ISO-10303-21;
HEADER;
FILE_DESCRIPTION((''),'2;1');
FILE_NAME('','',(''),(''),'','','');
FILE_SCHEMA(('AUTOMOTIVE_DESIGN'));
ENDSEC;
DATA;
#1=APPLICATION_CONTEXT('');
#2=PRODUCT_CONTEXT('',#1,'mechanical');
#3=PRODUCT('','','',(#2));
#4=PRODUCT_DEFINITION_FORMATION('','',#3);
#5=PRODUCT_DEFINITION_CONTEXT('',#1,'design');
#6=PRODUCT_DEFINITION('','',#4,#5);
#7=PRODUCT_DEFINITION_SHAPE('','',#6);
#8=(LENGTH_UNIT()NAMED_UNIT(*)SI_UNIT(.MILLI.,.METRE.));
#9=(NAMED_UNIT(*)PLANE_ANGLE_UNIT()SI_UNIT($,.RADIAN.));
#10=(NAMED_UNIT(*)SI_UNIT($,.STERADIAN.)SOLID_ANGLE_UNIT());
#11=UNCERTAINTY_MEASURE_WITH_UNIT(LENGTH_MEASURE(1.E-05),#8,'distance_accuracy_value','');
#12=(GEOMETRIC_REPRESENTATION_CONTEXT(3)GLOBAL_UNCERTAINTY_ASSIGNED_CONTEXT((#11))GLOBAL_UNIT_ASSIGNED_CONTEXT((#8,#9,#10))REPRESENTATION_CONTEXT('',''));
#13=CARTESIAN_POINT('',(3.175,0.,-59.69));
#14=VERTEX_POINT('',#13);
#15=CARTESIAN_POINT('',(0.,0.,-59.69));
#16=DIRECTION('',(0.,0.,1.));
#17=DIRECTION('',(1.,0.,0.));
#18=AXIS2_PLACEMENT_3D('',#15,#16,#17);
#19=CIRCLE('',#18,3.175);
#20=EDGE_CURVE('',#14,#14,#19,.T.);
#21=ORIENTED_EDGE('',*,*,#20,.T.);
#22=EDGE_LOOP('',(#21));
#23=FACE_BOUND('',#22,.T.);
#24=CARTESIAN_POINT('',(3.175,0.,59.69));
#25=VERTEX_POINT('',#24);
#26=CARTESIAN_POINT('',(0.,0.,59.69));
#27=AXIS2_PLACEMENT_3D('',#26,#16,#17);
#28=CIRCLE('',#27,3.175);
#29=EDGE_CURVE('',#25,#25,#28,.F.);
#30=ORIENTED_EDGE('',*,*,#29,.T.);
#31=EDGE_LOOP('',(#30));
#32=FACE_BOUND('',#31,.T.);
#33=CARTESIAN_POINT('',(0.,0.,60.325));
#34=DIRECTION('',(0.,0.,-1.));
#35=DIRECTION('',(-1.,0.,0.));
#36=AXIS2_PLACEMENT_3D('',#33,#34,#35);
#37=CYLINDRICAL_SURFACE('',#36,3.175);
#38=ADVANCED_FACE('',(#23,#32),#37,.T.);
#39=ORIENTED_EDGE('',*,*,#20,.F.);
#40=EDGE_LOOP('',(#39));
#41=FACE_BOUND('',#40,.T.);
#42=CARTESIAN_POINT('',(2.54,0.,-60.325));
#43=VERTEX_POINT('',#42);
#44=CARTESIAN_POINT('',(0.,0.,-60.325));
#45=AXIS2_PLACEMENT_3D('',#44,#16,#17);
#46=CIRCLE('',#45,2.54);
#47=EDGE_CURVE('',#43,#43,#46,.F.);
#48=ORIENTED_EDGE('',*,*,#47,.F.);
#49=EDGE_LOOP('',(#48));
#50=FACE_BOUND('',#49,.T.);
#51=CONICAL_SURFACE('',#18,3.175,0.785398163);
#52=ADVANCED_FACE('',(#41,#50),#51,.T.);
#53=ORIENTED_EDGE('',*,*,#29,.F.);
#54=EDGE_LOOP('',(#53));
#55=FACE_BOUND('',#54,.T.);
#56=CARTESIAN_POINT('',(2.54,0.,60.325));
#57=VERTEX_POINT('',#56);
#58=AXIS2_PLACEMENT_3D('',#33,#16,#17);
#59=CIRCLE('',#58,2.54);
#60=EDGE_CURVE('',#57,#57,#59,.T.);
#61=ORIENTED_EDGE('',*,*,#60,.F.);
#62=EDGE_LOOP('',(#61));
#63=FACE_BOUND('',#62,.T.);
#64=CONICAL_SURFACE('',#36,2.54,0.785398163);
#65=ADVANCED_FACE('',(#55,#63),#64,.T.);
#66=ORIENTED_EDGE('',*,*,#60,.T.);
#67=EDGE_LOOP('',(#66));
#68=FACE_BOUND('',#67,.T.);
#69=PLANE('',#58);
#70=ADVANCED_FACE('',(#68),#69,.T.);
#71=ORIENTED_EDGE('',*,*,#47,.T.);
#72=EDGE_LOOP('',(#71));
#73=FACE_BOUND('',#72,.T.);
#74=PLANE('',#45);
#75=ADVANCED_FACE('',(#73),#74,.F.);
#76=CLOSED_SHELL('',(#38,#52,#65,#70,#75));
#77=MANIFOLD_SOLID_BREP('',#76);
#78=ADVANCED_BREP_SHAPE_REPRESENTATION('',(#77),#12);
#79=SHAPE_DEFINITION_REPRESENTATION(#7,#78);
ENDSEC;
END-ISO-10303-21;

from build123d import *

# Parameters (mm, degrees)
SKETCH1_R           = 3.175
BOSS_EXTRUDE1_DEPTH = 60.325
CHAMFER1_SIZE       = 0.635


with BuildPart() as part:
    # Sketch1 → Boss-Extrude1 (new body, symmetric)
    with BuildSketch(Plane.XY):
        Circle(SKETCH1_R)
    extrude(amount=BOSS_EXTRUDE1_DEPTH, both=True)

    # Chamfer1
    chamfer1_edges = [part.edges().sort_by_distance(p)[0] for p in [
        (-3.175, 0, -60.325),
        (-3.175, 0, 60.325),
    ]]
    chamfer(chamfer1_edges, length=CHAMFER1_SIZE)


solid = part.part
